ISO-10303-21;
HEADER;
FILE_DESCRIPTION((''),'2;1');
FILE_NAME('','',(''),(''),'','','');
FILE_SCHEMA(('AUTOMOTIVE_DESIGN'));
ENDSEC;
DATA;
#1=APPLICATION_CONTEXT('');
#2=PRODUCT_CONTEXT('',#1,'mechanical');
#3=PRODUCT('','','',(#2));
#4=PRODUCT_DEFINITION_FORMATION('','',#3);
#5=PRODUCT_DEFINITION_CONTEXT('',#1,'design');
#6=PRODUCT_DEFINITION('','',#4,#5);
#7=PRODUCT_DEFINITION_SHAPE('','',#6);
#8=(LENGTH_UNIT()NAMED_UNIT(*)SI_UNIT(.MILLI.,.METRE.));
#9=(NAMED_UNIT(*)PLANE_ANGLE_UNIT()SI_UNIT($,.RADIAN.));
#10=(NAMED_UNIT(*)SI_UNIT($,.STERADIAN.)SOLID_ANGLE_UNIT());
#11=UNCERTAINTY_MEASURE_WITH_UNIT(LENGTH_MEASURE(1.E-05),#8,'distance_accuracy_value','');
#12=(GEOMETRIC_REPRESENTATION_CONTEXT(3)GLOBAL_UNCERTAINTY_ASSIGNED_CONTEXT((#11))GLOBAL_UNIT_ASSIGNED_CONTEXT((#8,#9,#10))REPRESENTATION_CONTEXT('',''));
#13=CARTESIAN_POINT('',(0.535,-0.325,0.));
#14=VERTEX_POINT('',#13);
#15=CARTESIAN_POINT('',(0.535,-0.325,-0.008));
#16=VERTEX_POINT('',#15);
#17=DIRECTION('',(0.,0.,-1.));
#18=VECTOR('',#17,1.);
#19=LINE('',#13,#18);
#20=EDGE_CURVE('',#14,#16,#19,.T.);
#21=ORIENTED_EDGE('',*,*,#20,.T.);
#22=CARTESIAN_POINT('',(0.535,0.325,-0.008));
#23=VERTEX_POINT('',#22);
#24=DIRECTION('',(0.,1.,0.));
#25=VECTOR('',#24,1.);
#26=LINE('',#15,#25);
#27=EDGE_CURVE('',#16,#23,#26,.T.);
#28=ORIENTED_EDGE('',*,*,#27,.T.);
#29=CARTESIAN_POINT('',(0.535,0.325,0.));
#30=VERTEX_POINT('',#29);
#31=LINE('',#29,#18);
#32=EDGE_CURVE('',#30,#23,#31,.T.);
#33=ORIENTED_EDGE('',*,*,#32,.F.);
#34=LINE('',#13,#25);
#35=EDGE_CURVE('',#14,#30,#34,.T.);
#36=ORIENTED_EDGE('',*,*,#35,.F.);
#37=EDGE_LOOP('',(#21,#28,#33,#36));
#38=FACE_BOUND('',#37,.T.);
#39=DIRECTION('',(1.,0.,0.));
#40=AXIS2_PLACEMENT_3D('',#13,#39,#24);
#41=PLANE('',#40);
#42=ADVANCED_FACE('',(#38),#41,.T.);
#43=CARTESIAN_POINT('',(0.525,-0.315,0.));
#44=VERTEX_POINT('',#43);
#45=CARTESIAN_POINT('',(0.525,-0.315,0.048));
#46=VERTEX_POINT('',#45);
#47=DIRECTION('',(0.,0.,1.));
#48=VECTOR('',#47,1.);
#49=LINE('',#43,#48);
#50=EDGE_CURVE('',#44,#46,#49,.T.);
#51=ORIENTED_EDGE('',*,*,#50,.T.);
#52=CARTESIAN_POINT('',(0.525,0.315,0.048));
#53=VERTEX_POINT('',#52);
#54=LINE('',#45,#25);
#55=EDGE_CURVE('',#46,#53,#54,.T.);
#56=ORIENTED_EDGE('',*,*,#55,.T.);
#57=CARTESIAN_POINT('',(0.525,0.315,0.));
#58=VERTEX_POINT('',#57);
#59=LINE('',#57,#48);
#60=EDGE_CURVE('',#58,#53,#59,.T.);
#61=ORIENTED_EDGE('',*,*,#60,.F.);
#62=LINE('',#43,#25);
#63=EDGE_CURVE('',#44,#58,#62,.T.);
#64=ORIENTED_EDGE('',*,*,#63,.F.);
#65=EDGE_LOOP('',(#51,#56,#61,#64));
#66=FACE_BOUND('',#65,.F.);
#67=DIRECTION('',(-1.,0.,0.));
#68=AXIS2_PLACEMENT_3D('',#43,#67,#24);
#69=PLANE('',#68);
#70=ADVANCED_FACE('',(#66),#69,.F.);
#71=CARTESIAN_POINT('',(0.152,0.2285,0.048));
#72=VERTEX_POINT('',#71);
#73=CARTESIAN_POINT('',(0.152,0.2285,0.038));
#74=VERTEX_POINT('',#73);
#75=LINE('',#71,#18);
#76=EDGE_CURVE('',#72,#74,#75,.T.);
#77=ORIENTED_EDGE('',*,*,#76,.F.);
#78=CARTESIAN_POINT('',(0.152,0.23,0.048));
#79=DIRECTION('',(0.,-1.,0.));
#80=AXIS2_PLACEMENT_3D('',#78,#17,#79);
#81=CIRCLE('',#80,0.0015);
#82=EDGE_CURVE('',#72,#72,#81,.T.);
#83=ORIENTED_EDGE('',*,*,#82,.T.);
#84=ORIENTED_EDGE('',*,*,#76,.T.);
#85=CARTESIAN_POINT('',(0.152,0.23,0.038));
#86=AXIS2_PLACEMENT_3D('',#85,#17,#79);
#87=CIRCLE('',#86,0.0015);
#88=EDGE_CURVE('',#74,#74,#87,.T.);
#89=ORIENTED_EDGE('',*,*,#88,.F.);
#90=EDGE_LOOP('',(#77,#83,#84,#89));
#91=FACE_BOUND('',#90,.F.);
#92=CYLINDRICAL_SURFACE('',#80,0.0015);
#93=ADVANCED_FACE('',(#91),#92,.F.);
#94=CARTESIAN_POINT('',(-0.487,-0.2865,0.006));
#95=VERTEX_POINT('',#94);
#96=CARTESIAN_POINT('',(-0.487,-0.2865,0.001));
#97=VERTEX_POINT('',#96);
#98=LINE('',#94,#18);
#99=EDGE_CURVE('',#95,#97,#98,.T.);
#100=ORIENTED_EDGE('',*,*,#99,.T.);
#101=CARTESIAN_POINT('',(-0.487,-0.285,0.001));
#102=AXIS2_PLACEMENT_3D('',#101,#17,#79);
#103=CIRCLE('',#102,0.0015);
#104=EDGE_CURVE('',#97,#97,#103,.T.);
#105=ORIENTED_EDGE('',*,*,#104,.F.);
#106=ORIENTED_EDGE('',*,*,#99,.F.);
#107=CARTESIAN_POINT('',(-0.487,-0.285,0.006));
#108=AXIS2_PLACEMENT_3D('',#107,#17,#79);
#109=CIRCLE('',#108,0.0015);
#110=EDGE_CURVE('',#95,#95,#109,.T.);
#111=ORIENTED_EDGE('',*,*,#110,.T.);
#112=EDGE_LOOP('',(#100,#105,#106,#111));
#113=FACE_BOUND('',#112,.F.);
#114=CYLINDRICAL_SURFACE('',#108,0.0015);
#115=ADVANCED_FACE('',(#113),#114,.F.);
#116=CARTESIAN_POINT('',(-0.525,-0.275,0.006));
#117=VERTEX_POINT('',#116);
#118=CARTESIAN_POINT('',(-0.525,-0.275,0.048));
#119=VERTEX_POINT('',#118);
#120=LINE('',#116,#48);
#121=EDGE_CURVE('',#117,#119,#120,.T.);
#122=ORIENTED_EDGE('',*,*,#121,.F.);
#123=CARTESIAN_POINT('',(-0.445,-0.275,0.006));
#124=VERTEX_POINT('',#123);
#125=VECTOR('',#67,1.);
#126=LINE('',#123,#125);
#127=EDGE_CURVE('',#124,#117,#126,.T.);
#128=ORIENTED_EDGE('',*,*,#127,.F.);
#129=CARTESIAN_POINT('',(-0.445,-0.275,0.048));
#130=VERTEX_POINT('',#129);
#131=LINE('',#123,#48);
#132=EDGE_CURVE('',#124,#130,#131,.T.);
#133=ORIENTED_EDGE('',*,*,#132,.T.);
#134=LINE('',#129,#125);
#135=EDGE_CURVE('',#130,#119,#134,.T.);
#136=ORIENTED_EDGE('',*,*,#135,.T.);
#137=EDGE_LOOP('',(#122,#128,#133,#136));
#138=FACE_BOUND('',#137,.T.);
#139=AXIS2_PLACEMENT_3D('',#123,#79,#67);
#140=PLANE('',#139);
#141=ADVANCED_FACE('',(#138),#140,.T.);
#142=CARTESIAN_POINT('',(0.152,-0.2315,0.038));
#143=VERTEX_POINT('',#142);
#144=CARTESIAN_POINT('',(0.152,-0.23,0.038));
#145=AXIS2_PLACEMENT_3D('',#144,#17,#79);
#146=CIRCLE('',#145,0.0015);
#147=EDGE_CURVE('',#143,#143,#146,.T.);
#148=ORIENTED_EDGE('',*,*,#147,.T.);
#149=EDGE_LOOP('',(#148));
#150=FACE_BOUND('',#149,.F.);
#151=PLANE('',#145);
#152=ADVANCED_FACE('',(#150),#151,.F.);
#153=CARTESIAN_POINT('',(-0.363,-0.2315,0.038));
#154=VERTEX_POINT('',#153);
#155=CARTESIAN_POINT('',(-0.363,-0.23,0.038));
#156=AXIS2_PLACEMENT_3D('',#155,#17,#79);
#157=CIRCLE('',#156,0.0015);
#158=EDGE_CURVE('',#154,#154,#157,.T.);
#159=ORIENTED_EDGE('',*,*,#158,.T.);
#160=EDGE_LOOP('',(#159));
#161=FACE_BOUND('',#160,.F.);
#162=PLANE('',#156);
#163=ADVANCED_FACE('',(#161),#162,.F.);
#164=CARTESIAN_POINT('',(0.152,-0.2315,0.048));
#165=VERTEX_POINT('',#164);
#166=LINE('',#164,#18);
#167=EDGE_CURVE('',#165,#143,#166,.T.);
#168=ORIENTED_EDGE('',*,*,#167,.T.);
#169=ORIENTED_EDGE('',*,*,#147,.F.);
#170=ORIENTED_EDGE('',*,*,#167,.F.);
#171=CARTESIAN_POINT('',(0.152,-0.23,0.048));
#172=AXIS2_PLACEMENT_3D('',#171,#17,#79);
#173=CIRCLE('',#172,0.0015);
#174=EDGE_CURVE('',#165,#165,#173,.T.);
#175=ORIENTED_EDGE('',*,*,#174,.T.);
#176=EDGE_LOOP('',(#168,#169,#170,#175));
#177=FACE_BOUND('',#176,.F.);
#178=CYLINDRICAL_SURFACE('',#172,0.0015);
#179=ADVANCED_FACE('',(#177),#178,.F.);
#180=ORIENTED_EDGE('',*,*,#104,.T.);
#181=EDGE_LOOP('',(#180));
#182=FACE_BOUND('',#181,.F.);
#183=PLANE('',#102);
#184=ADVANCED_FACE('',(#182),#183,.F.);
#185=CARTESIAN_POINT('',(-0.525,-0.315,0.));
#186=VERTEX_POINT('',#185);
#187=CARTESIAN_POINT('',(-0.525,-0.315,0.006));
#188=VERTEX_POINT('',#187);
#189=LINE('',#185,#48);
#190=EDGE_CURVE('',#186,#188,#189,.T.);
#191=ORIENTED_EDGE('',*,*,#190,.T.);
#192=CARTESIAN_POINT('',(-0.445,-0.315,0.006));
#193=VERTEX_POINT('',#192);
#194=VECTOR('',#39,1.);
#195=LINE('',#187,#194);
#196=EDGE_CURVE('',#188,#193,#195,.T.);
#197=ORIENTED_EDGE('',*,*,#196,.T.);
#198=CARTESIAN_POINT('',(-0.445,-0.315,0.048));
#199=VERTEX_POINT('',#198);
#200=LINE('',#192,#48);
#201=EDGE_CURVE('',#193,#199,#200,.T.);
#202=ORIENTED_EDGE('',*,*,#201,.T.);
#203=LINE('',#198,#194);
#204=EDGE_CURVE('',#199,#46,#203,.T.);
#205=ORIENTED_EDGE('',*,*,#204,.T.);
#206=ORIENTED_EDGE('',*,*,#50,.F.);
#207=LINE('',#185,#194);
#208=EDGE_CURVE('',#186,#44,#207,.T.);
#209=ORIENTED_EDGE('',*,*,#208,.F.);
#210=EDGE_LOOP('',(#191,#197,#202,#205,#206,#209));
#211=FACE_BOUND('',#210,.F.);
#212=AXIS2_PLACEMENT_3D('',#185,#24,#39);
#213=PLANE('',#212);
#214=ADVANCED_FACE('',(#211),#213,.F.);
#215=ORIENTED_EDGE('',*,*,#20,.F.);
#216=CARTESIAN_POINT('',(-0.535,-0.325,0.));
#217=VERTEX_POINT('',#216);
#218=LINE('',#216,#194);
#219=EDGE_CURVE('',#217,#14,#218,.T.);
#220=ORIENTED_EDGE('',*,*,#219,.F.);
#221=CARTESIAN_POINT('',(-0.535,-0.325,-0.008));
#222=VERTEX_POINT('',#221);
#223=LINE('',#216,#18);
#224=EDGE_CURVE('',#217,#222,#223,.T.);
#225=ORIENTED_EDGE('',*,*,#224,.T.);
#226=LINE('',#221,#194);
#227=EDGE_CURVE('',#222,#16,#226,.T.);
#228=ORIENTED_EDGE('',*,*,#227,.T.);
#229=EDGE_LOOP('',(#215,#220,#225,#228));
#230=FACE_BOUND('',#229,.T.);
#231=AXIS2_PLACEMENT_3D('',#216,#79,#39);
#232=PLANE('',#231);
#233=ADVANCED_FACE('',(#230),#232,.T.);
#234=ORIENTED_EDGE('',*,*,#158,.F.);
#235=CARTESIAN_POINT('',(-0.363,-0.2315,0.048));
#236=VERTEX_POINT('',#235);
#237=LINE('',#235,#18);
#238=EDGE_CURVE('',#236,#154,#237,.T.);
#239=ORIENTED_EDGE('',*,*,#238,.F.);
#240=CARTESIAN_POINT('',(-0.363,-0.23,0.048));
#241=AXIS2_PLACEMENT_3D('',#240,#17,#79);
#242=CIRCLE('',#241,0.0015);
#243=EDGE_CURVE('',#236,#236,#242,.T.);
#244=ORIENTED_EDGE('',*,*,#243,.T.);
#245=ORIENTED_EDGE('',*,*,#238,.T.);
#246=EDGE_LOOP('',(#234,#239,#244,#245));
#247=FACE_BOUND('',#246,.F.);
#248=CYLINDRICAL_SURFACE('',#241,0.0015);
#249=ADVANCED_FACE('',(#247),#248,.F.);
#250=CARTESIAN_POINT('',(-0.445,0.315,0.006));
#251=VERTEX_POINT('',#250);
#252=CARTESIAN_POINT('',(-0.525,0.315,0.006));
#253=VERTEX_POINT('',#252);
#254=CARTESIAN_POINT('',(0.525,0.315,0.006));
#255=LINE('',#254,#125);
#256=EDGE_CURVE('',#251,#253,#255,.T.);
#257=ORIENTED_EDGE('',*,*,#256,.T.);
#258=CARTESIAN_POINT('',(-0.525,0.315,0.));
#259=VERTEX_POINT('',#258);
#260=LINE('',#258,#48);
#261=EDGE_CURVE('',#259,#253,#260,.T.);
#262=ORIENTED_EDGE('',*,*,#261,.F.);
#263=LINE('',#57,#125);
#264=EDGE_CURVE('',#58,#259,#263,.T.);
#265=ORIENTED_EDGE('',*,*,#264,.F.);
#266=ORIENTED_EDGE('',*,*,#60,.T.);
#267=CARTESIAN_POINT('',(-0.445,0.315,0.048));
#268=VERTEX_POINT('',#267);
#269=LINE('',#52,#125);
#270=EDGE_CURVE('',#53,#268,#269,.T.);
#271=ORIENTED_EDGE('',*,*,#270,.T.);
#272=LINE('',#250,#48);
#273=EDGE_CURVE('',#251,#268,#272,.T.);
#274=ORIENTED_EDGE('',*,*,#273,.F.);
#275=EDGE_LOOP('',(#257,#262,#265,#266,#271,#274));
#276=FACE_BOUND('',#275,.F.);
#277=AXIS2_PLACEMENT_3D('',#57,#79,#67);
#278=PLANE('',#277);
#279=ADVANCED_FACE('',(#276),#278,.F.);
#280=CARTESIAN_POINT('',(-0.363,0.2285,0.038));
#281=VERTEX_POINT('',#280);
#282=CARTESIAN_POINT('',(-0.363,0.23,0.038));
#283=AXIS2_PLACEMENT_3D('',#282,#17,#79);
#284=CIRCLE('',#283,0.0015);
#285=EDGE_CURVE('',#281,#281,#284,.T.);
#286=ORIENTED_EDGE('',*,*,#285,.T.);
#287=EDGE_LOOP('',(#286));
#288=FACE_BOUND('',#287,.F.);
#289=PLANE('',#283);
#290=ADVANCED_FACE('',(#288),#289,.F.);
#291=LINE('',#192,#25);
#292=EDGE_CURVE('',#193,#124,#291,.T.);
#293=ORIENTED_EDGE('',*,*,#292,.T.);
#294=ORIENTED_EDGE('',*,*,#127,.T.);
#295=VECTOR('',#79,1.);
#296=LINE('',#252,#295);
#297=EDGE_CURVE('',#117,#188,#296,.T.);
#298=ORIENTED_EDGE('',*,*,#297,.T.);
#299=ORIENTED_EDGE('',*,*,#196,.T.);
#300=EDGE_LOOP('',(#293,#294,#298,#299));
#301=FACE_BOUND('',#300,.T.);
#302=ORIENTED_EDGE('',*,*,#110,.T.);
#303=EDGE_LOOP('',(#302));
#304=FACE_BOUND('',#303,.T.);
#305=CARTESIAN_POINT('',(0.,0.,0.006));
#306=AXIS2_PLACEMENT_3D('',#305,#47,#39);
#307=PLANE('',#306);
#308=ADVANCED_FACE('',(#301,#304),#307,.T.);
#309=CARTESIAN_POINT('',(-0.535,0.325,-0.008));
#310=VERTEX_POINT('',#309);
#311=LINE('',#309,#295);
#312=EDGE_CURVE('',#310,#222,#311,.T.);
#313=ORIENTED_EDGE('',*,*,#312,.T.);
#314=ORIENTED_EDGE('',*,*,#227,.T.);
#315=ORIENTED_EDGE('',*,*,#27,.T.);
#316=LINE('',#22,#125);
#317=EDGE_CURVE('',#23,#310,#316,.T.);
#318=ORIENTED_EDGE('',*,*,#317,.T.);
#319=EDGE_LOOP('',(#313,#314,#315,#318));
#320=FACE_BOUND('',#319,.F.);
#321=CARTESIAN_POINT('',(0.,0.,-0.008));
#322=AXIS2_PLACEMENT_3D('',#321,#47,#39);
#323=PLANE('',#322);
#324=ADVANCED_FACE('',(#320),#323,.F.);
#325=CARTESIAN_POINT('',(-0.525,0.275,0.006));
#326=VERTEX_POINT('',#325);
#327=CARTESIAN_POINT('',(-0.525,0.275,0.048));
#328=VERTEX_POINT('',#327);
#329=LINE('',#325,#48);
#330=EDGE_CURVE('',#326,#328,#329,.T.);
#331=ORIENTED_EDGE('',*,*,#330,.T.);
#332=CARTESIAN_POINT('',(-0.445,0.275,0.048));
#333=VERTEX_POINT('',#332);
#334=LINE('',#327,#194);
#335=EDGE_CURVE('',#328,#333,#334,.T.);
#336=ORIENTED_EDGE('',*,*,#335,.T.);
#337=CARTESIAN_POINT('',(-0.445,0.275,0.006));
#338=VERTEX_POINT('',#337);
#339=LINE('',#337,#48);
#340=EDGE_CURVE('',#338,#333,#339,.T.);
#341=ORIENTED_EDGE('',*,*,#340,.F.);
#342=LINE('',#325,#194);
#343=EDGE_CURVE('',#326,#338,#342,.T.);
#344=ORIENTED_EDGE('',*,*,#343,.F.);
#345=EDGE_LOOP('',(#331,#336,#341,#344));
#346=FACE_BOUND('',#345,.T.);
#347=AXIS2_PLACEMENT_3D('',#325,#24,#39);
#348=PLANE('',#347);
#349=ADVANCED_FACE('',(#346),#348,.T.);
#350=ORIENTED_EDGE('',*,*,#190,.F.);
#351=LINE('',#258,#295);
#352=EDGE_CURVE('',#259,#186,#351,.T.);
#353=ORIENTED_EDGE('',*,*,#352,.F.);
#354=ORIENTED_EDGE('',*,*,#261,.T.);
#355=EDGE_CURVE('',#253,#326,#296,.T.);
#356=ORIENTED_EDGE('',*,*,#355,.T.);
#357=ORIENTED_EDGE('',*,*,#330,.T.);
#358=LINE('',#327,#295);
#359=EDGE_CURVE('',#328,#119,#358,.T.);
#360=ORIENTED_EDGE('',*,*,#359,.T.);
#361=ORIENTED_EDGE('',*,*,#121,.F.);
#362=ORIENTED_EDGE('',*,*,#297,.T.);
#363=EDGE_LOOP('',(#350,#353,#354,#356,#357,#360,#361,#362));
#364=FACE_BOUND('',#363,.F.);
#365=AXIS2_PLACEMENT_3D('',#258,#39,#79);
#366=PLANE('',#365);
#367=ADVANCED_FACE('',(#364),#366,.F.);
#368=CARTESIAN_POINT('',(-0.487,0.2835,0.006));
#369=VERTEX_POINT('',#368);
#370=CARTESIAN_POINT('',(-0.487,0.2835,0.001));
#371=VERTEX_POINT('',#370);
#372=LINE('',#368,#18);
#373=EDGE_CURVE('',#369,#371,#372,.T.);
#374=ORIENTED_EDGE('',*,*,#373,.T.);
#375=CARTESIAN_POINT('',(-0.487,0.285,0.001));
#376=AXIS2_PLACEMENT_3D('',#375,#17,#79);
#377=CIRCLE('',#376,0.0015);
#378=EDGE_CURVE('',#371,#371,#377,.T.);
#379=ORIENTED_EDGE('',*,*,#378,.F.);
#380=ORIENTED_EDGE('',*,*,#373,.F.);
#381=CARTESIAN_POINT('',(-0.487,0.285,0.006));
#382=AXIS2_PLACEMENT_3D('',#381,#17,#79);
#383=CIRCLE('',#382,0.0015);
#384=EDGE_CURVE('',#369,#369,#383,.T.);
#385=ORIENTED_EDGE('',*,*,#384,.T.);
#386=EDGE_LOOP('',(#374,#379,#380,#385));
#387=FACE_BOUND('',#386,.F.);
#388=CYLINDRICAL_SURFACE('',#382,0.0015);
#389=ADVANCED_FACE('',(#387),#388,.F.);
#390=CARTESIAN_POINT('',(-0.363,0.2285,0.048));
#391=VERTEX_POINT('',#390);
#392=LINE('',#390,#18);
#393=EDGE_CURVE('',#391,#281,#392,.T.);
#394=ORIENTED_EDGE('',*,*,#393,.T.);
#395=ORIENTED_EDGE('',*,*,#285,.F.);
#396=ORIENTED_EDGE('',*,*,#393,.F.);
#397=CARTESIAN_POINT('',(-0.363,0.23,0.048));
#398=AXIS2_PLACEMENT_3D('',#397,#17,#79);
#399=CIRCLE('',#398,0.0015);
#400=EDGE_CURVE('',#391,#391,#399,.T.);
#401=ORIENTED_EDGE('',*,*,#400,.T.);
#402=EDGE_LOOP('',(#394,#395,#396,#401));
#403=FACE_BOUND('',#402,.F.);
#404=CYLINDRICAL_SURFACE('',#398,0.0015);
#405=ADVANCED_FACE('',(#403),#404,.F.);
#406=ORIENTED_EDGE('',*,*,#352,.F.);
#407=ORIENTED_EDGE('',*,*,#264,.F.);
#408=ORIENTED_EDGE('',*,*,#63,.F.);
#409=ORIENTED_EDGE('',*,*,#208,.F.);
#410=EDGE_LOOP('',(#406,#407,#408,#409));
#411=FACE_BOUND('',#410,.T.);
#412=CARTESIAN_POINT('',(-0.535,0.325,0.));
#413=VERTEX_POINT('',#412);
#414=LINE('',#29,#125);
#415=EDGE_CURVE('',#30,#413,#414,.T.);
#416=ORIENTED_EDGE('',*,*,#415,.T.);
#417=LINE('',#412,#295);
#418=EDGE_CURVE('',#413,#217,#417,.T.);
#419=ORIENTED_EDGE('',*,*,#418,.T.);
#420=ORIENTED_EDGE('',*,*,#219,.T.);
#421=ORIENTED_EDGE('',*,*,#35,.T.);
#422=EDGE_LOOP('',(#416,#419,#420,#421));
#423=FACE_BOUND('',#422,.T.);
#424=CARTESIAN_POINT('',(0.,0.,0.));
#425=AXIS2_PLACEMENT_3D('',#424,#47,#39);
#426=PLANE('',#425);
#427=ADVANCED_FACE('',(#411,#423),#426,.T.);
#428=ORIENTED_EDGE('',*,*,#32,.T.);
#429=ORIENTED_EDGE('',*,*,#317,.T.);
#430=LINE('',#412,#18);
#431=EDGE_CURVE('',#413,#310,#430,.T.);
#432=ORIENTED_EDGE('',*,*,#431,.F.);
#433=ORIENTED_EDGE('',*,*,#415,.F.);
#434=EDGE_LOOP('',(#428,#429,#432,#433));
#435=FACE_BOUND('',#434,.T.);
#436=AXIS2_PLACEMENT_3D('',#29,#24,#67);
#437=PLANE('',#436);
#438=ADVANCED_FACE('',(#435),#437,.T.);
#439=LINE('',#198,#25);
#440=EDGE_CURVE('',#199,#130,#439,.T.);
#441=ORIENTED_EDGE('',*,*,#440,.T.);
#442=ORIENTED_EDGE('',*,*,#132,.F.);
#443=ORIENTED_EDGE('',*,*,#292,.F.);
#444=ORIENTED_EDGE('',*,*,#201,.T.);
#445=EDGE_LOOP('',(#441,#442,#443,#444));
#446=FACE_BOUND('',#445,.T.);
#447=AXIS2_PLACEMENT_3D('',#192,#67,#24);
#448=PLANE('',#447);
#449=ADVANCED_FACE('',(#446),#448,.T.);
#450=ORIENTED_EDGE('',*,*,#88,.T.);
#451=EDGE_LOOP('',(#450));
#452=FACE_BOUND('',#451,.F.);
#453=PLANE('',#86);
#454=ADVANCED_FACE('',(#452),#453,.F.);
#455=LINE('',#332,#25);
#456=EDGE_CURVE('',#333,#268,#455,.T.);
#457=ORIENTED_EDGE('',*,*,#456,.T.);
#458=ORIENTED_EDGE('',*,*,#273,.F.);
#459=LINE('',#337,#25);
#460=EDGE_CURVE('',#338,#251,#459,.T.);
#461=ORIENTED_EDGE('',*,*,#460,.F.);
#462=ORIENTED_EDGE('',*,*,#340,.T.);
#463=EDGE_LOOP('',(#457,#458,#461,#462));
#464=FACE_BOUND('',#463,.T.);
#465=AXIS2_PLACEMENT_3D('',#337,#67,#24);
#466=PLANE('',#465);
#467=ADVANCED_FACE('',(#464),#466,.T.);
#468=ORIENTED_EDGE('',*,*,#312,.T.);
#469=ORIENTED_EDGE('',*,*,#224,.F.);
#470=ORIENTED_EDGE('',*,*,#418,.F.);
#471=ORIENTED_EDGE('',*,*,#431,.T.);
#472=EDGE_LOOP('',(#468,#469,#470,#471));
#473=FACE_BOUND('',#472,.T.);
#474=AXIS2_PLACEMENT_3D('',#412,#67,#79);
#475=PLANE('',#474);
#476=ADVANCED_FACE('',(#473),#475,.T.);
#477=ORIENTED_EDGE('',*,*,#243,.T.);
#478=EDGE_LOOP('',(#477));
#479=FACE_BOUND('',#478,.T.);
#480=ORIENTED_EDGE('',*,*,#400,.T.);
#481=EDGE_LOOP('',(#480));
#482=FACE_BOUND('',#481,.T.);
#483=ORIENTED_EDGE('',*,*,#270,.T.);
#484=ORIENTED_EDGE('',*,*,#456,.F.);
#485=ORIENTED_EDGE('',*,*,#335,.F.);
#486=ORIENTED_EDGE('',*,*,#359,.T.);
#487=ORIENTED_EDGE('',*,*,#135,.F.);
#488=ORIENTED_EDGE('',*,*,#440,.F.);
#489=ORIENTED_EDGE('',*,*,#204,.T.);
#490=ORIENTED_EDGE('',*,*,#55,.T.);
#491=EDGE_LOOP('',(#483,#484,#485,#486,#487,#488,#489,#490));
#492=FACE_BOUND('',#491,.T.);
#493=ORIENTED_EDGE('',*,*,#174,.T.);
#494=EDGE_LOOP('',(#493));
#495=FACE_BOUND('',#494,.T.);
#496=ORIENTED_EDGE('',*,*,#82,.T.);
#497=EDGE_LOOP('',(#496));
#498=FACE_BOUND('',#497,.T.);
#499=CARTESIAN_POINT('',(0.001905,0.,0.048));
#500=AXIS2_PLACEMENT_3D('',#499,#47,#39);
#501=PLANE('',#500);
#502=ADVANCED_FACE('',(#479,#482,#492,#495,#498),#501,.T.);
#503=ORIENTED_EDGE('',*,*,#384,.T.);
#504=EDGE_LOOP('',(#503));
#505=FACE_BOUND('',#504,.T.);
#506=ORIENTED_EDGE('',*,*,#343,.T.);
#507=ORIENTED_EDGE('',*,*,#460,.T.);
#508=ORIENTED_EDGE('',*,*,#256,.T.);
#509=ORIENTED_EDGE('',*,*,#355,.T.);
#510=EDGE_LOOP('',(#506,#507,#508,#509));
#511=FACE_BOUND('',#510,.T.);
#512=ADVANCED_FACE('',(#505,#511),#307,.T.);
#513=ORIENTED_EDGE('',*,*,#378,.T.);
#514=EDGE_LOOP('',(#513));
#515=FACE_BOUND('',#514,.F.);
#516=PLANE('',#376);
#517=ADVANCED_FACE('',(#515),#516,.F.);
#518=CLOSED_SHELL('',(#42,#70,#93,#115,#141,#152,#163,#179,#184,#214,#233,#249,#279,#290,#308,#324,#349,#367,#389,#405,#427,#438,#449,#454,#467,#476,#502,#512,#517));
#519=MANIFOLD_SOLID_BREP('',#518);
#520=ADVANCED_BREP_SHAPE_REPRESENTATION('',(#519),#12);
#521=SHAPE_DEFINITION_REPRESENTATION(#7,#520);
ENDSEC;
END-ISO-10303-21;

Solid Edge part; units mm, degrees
sketch "Sketch1" plane through (0, 0, 0) normal (0, 0, 1) x (1, 0, 0)
  line L0 (-0.525, -0.315) -> (0.525, -0.315)
  line L1 (0.525, -0.315) -> (0.525, 0.315)
  line L2 (0.525, 0.315) -> (-0.525, 0.315)
  line L3 (-0.525, 0.315) -> (-0.525, -0.315)
  dimension "D1" = 0.63
  dimension "D2" = 1.05
extrude "Protrusion1" add sketch "Sketch1" along normal blind 0.006
sketch "Sketch2" plane through (0, 0, 0) normal (0, 0, -1) x (1, 0, 0)
  line L0 (-0.535, -0.325) -> (-0.535, 0.325)
  line L1 (-0.535, 0.325) -> (0.535, 0.325)
  line L2 (0.535, 0.325) -> (0.535, -0.325)
  line L3 (0.535, -0.325) -> (-0.535, -0.325)
extrude "Ausprägung_3" add sketch "Sketch2" along normal blind 0.008
sketch "Sketch3" plane through (0, 0, 0.006) normal (0, 0, 1) x (1, 0, 0)
  line L0 (-0.525, 0.275) -> (-0.525, -0.275)
  line L1 (-0.445, -0.275) -> (-0.525, -0.275)
  line L2 (-0.445, -0.315) -> (-0.445, -0.275)
  line L3 (-0.445, -0.315) -> (0.525, -0.315)
  line L4 (0.525, -0.315) -> (0.525, 0.315)
  line L5 (0.525, 0.315) -> (-0.445, 0.315)
  line L6 (-0.445, 0.275) -> (-0.445, 0.315)
  line L7 (-0.525, 0.275) -> (-0.445, 0.275)
  dimension "D1" = 0.04
  dimension "D2" = 0.08
extrude "Ausprägung_4" add sketch "Sketch3" along normal blind 0.042
hole "Bohrung_1" at (-0.487, -0.285, 0.006) direction (0, 0, -1) diameter 0.003 depth 0.005
hole "Hole1" at (-0.487, 0.285, 0.006) direction (0, 0, -1) diameter 0.003 depth 0.005
hole "Bohrung_3" at (-0.363, 0.23, 0.048) direction (0, 0, -1) diameter 0.003 depth 0.01
hole "Hole2" at (0.152, 0.23, 0.048) direction (0, 0, -1) diameter 0.003 depth 0.01
hole "Hole3" at (0.152, -0.23, 0.048) direction (0, 0, -1) diameter 0.003 depth 0.01
hole "Hole4" at (-0.363, -0.23, 0.048) direction (0, 0, -1) diameter 0.003 depth 0.01
